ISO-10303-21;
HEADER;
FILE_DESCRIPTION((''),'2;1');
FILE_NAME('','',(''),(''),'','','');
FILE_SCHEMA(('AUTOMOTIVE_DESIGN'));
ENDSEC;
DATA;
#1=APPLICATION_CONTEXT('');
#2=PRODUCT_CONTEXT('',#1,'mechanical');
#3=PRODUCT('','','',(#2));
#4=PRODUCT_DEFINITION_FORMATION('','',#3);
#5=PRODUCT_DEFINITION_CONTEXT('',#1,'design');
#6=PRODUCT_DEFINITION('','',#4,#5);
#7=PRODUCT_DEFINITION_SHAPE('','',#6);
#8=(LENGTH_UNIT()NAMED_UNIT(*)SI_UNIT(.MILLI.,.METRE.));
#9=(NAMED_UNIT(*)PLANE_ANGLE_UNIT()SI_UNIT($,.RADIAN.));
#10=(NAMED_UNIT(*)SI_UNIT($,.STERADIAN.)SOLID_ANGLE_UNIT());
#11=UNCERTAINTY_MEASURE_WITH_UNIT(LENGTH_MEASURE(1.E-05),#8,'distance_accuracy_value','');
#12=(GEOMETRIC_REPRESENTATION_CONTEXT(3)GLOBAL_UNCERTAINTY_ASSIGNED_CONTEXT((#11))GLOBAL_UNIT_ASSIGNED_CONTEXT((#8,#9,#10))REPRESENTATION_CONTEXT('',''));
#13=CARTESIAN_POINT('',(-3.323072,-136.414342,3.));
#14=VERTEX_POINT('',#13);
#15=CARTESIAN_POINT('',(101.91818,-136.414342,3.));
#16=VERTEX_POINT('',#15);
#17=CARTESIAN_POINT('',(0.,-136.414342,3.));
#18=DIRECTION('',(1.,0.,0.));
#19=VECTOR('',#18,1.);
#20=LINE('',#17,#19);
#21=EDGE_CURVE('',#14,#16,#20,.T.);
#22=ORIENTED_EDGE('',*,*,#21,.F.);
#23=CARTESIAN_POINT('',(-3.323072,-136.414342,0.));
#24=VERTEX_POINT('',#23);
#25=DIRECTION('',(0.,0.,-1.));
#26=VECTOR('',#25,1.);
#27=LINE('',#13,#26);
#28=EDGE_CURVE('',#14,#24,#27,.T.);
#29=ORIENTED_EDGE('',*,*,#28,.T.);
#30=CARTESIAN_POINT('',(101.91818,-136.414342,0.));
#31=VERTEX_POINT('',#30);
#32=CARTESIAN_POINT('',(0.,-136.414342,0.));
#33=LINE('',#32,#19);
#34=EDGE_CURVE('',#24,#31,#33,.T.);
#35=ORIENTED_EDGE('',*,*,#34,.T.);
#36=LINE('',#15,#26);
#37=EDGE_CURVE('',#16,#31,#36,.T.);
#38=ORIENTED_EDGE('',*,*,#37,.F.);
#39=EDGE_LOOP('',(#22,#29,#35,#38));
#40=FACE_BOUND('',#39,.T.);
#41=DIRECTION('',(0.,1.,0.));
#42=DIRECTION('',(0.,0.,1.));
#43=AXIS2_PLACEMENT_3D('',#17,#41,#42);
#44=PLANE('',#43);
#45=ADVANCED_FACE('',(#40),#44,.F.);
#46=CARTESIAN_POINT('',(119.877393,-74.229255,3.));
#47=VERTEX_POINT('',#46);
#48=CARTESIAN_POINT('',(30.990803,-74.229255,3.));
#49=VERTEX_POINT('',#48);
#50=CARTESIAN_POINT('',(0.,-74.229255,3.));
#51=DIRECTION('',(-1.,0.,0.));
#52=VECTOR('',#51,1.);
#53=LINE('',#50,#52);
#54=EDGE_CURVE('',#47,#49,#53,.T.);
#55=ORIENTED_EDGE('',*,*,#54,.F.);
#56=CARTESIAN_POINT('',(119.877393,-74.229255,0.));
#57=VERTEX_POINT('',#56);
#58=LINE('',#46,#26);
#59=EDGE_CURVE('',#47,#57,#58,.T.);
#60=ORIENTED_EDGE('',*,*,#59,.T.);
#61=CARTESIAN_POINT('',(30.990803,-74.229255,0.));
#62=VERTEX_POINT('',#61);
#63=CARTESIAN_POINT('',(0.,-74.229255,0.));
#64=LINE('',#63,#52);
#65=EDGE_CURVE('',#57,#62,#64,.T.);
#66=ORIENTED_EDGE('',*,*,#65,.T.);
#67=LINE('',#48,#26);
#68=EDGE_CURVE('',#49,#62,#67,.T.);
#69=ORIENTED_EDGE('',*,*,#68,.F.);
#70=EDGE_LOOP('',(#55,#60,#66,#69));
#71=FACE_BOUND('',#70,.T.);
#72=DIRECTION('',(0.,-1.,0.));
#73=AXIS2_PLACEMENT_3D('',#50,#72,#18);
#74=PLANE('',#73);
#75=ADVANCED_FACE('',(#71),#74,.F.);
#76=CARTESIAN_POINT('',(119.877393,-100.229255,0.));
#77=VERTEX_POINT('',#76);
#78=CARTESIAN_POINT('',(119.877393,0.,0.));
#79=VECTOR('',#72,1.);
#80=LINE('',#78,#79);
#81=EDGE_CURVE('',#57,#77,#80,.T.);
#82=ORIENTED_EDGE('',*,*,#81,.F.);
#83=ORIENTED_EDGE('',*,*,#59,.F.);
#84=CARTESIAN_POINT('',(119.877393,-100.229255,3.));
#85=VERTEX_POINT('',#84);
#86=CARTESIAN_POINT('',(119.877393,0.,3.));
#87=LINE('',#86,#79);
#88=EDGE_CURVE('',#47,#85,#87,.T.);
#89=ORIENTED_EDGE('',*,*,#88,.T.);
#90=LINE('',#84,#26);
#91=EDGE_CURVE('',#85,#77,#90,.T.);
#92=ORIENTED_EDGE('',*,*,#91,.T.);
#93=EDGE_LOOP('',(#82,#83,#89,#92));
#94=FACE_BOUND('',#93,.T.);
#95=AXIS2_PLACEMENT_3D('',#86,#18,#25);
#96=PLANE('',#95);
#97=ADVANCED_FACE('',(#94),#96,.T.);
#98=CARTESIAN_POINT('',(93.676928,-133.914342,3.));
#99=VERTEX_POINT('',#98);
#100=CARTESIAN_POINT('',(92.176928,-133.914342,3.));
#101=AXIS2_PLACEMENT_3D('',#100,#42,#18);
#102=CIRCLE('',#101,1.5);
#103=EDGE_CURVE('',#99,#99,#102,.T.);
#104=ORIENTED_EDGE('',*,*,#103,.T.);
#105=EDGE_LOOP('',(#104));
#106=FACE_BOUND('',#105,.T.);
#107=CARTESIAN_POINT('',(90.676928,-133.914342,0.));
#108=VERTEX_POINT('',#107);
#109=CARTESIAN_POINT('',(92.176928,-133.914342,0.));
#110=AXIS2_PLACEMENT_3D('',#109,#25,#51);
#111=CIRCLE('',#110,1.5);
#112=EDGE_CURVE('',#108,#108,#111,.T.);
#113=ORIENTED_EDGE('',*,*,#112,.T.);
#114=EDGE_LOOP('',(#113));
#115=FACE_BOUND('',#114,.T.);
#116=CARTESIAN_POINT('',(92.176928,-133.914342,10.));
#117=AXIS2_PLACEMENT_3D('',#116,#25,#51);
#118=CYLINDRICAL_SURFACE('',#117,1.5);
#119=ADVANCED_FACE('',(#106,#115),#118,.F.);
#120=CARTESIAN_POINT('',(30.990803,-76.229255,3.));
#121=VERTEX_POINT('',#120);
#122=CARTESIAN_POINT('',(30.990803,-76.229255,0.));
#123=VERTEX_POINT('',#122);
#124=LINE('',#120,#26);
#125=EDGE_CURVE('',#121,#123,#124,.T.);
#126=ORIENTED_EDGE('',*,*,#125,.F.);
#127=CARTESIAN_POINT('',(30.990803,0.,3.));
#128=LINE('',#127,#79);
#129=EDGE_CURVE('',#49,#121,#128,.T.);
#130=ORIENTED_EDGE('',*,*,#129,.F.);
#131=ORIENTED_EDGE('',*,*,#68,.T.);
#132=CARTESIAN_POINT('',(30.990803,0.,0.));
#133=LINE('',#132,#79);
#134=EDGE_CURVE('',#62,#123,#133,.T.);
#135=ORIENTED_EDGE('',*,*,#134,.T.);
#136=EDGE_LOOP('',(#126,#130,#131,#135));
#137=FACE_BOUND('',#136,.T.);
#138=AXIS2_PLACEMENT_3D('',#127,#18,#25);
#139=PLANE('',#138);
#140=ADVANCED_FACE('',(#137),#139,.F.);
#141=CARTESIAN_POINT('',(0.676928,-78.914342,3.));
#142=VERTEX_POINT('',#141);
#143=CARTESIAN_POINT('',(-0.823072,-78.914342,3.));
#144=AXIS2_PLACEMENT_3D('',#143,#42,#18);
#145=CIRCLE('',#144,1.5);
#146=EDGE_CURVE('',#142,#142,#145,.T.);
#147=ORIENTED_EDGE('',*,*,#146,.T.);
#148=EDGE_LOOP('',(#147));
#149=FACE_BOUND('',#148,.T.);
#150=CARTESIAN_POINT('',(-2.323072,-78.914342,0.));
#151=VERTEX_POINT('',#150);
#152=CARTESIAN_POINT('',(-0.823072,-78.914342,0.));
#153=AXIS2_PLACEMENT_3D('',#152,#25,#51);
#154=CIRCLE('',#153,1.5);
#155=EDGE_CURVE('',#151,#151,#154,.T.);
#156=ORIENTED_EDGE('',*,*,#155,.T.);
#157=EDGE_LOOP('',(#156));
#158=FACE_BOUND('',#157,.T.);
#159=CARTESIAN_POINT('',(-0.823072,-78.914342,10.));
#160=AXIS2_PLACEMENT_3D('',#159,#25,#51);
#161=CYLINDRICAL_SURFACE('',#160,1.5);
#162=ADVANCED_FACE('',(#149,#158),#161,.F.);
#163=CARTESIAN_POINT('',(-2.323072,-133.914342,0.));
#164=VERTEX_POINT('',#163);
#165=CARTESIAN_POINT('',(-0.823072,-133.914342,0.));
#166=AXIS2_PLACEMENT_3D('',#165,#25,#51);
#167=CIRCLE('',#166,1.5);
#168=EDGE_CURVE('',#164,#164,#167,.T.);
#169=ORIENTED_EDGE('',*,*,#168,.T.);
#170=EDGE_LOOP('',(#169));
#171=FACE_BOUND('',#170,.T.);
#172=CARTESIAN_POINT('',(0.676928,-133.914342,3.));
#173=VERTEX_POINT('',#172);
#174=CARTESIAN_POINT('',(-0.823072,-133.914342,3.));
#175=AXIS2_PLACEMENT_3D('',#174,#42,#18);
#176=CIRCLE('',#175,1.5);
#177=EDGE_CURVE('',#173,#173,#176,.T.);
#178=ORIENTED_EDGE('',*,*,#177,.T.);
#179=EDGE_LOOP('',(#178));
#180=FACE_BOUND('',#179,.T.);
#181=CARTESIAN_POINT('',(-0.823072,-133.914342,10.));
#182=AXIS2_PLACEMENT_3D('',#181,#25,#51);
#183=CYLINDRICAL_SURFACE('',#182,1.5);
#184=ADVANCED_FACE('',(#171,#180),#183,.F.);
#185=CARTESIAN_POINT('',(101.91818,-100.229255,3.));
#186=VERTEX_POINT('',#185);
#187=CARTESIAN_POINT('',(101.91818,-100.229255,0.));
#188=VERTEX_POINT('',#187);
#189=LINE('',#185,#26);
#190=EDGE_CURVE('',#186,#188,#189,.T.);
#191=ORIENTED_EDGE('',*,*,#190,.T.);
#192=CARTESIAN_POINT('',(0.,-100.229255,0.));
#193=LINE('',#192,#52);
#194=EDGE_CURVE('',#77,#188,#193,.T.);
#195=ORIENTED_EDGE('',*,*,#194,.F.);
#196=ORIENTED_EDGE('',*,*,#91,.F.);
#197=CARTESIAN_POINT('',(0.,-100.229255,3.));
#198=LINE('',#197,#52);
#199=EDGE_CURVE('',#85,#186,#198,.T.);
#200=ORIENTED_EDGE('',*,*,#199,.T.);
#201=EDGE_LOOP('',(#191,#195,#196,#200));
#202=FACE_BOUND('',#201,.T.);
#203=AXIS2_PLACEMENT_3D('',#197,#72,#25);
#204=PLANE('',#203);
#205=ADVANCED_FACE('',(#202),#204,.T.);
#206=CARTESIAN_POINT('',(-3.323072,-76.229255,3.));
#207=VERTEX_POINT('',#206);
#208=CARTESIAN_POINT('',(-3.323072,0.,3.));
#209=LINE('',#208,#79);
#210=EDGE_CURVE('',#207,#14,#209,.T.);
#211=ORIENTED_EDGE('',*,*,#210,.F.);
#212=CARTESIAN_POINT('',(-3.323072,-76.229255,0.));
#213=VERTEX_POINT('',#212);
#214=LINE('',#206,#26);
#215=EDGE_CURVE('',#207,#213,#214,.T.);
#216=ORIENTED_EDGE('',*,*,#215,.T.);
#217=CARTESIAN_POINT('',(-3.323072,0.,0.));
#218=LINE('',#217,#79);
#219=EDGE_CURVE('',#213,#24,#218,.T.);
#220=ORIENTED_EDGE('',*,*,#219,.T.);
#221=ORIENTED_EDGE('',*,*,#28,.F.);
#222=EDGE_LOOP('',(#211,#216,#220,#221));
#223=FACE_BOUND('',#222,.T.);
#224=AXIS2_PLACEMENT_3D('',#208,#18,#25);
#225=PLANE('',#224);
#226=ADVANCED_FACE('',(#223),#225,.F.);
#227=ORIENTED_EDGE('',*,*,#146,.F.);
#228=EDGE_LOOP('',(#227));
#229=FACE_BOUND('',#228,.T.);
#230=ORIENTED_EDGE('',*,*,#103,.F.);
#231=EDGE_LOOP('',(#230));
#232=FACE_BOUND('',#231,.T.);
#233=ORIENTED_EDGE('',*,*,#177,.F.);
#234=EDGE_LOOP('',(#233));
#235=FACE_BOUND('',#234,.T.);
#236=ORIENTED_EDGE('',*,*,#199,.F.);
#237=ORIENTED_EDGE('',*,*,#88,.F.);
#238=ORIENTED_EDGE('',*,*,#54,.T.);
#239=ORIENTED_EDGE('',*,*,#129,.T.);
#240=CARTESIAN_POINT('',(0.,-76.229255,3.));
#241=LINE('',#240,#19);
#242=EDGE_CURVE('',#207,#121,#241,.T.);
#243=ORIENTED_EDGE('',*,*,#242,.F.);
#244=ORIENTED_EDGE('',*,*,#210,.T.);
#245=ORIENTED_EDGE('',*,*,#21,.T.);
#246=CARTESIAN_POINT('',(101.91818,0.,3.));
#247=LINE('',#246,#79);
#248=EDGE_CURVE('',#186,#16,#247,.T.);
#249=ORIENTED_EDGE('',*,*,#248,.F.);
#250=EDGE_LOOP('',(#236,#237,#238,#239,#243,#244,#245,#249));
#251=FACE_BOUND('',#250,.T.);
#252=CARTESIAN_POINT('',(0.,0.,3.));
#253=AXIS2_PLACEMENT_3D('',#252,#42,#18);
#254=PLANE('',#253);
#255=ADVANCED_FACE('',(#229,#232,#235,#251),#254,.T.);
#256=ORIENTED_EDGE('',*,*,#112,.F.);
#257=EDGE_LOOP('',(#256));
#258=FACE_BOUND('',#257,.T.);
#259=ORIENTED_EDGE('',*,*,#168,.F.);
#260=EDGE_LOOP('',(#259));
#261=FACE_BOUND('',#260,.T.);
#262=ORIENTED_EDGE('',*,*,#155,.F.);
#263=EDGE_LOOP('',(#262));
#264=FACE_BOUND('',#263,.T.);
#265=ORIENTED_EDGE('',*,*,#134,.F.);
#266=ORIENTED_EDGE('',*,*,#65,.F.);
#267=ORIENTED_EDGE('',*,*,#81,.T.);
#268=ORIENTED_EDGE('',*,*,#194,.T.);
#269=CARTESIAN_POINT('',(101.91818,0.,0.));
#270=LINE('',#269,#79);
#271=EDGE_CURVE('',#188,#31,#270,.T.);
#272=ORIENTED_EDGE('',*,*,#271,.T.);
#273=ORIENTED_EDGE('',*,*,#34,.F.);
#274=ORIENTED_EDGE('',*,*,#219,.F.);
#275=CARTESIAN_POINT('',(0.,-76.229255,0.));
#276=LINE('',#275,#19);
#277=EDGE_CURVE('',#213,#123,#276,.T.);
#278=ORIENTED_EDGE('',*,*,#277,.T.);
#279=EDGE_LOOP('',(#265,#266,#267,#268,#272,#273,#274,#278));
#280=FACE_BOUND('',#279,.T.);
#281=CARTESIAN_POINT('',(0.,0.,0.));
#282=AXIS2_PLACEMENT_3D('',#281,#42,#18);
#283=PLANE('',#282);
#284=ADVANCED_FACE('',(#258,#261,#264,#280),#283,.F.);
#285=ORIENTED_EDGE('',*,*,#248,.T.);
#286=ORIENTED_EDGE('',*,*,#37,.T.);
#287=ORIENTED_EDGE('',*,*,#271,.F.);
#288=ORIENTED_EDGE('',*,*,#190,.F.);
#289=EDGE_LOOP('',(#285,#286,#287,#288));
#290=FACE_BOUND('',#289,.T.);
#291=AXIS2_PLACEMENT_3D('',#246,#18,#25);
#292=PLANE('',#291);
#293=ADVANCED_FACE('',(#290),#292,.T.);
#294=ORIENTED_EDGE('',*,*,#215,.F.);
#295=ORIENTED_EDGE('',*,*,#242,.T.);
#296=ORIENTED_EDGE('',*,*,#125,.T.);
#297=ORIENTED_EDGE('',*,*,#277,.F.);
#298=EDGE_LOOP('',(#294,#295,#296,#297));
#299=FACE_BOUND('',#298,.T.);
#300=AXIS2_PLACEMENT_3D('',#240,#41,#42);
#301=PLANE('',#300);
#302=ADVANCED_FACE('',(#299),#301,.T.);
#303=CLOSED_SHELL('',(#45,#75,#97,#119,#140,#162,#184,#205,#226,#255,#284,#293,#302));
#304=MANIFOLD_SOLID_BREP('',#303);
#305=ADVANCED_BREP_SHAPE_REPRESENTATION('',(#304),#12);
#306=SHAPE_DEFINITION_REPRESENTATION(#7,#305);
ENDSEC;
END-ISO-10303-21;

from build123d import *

# Parameters (mm, degrees)
BOSS_EXTRUDE1_DEPTH = 3
SKETCH2_R           = 1.5
CUT_EXTRUDE1_DEPTH  = 10


with BuildPart() as part:
    # Sketch1 → Boss-Extrude1 (new body)
    with BuildSketch(Plane.XY):
        Polygon((119.877392692, -74.229255365), (30.990803074, -74.229255365), (30.990803074, -76.229255365), (-3.323071753, -76.229255365), (-3.323071753, -136.414342305), (101.918179526, -136.414342305), (101.918179526, -100.229255365), (119.877392692, -100.229255365), align=None)
    extrude(amount=BOSS_EXTRUDE1_DEPTH)

    # Sketch2 → Cut-Extrude1 (cut)
    with BuildSketch(Plane(origin=(0, 0, 0), x_dir=(-1, 0, 0), z_dir=(0, 0, -1))):
        with Locations((-92.176928247, -133.914342305)):
            Circle(SKETCH2_R)
        with Locations((0.823071753, -133.914342305)):
            Circle(SKETCH2_R)
        with Locations((0.823071753, -78.914342305)):
            Circle(SKETCH2_R)
    extrude(amount=-CUT_EXTRUDE1_DEPTH, mode=Mode.SUBTRACT)


solid = part.part
